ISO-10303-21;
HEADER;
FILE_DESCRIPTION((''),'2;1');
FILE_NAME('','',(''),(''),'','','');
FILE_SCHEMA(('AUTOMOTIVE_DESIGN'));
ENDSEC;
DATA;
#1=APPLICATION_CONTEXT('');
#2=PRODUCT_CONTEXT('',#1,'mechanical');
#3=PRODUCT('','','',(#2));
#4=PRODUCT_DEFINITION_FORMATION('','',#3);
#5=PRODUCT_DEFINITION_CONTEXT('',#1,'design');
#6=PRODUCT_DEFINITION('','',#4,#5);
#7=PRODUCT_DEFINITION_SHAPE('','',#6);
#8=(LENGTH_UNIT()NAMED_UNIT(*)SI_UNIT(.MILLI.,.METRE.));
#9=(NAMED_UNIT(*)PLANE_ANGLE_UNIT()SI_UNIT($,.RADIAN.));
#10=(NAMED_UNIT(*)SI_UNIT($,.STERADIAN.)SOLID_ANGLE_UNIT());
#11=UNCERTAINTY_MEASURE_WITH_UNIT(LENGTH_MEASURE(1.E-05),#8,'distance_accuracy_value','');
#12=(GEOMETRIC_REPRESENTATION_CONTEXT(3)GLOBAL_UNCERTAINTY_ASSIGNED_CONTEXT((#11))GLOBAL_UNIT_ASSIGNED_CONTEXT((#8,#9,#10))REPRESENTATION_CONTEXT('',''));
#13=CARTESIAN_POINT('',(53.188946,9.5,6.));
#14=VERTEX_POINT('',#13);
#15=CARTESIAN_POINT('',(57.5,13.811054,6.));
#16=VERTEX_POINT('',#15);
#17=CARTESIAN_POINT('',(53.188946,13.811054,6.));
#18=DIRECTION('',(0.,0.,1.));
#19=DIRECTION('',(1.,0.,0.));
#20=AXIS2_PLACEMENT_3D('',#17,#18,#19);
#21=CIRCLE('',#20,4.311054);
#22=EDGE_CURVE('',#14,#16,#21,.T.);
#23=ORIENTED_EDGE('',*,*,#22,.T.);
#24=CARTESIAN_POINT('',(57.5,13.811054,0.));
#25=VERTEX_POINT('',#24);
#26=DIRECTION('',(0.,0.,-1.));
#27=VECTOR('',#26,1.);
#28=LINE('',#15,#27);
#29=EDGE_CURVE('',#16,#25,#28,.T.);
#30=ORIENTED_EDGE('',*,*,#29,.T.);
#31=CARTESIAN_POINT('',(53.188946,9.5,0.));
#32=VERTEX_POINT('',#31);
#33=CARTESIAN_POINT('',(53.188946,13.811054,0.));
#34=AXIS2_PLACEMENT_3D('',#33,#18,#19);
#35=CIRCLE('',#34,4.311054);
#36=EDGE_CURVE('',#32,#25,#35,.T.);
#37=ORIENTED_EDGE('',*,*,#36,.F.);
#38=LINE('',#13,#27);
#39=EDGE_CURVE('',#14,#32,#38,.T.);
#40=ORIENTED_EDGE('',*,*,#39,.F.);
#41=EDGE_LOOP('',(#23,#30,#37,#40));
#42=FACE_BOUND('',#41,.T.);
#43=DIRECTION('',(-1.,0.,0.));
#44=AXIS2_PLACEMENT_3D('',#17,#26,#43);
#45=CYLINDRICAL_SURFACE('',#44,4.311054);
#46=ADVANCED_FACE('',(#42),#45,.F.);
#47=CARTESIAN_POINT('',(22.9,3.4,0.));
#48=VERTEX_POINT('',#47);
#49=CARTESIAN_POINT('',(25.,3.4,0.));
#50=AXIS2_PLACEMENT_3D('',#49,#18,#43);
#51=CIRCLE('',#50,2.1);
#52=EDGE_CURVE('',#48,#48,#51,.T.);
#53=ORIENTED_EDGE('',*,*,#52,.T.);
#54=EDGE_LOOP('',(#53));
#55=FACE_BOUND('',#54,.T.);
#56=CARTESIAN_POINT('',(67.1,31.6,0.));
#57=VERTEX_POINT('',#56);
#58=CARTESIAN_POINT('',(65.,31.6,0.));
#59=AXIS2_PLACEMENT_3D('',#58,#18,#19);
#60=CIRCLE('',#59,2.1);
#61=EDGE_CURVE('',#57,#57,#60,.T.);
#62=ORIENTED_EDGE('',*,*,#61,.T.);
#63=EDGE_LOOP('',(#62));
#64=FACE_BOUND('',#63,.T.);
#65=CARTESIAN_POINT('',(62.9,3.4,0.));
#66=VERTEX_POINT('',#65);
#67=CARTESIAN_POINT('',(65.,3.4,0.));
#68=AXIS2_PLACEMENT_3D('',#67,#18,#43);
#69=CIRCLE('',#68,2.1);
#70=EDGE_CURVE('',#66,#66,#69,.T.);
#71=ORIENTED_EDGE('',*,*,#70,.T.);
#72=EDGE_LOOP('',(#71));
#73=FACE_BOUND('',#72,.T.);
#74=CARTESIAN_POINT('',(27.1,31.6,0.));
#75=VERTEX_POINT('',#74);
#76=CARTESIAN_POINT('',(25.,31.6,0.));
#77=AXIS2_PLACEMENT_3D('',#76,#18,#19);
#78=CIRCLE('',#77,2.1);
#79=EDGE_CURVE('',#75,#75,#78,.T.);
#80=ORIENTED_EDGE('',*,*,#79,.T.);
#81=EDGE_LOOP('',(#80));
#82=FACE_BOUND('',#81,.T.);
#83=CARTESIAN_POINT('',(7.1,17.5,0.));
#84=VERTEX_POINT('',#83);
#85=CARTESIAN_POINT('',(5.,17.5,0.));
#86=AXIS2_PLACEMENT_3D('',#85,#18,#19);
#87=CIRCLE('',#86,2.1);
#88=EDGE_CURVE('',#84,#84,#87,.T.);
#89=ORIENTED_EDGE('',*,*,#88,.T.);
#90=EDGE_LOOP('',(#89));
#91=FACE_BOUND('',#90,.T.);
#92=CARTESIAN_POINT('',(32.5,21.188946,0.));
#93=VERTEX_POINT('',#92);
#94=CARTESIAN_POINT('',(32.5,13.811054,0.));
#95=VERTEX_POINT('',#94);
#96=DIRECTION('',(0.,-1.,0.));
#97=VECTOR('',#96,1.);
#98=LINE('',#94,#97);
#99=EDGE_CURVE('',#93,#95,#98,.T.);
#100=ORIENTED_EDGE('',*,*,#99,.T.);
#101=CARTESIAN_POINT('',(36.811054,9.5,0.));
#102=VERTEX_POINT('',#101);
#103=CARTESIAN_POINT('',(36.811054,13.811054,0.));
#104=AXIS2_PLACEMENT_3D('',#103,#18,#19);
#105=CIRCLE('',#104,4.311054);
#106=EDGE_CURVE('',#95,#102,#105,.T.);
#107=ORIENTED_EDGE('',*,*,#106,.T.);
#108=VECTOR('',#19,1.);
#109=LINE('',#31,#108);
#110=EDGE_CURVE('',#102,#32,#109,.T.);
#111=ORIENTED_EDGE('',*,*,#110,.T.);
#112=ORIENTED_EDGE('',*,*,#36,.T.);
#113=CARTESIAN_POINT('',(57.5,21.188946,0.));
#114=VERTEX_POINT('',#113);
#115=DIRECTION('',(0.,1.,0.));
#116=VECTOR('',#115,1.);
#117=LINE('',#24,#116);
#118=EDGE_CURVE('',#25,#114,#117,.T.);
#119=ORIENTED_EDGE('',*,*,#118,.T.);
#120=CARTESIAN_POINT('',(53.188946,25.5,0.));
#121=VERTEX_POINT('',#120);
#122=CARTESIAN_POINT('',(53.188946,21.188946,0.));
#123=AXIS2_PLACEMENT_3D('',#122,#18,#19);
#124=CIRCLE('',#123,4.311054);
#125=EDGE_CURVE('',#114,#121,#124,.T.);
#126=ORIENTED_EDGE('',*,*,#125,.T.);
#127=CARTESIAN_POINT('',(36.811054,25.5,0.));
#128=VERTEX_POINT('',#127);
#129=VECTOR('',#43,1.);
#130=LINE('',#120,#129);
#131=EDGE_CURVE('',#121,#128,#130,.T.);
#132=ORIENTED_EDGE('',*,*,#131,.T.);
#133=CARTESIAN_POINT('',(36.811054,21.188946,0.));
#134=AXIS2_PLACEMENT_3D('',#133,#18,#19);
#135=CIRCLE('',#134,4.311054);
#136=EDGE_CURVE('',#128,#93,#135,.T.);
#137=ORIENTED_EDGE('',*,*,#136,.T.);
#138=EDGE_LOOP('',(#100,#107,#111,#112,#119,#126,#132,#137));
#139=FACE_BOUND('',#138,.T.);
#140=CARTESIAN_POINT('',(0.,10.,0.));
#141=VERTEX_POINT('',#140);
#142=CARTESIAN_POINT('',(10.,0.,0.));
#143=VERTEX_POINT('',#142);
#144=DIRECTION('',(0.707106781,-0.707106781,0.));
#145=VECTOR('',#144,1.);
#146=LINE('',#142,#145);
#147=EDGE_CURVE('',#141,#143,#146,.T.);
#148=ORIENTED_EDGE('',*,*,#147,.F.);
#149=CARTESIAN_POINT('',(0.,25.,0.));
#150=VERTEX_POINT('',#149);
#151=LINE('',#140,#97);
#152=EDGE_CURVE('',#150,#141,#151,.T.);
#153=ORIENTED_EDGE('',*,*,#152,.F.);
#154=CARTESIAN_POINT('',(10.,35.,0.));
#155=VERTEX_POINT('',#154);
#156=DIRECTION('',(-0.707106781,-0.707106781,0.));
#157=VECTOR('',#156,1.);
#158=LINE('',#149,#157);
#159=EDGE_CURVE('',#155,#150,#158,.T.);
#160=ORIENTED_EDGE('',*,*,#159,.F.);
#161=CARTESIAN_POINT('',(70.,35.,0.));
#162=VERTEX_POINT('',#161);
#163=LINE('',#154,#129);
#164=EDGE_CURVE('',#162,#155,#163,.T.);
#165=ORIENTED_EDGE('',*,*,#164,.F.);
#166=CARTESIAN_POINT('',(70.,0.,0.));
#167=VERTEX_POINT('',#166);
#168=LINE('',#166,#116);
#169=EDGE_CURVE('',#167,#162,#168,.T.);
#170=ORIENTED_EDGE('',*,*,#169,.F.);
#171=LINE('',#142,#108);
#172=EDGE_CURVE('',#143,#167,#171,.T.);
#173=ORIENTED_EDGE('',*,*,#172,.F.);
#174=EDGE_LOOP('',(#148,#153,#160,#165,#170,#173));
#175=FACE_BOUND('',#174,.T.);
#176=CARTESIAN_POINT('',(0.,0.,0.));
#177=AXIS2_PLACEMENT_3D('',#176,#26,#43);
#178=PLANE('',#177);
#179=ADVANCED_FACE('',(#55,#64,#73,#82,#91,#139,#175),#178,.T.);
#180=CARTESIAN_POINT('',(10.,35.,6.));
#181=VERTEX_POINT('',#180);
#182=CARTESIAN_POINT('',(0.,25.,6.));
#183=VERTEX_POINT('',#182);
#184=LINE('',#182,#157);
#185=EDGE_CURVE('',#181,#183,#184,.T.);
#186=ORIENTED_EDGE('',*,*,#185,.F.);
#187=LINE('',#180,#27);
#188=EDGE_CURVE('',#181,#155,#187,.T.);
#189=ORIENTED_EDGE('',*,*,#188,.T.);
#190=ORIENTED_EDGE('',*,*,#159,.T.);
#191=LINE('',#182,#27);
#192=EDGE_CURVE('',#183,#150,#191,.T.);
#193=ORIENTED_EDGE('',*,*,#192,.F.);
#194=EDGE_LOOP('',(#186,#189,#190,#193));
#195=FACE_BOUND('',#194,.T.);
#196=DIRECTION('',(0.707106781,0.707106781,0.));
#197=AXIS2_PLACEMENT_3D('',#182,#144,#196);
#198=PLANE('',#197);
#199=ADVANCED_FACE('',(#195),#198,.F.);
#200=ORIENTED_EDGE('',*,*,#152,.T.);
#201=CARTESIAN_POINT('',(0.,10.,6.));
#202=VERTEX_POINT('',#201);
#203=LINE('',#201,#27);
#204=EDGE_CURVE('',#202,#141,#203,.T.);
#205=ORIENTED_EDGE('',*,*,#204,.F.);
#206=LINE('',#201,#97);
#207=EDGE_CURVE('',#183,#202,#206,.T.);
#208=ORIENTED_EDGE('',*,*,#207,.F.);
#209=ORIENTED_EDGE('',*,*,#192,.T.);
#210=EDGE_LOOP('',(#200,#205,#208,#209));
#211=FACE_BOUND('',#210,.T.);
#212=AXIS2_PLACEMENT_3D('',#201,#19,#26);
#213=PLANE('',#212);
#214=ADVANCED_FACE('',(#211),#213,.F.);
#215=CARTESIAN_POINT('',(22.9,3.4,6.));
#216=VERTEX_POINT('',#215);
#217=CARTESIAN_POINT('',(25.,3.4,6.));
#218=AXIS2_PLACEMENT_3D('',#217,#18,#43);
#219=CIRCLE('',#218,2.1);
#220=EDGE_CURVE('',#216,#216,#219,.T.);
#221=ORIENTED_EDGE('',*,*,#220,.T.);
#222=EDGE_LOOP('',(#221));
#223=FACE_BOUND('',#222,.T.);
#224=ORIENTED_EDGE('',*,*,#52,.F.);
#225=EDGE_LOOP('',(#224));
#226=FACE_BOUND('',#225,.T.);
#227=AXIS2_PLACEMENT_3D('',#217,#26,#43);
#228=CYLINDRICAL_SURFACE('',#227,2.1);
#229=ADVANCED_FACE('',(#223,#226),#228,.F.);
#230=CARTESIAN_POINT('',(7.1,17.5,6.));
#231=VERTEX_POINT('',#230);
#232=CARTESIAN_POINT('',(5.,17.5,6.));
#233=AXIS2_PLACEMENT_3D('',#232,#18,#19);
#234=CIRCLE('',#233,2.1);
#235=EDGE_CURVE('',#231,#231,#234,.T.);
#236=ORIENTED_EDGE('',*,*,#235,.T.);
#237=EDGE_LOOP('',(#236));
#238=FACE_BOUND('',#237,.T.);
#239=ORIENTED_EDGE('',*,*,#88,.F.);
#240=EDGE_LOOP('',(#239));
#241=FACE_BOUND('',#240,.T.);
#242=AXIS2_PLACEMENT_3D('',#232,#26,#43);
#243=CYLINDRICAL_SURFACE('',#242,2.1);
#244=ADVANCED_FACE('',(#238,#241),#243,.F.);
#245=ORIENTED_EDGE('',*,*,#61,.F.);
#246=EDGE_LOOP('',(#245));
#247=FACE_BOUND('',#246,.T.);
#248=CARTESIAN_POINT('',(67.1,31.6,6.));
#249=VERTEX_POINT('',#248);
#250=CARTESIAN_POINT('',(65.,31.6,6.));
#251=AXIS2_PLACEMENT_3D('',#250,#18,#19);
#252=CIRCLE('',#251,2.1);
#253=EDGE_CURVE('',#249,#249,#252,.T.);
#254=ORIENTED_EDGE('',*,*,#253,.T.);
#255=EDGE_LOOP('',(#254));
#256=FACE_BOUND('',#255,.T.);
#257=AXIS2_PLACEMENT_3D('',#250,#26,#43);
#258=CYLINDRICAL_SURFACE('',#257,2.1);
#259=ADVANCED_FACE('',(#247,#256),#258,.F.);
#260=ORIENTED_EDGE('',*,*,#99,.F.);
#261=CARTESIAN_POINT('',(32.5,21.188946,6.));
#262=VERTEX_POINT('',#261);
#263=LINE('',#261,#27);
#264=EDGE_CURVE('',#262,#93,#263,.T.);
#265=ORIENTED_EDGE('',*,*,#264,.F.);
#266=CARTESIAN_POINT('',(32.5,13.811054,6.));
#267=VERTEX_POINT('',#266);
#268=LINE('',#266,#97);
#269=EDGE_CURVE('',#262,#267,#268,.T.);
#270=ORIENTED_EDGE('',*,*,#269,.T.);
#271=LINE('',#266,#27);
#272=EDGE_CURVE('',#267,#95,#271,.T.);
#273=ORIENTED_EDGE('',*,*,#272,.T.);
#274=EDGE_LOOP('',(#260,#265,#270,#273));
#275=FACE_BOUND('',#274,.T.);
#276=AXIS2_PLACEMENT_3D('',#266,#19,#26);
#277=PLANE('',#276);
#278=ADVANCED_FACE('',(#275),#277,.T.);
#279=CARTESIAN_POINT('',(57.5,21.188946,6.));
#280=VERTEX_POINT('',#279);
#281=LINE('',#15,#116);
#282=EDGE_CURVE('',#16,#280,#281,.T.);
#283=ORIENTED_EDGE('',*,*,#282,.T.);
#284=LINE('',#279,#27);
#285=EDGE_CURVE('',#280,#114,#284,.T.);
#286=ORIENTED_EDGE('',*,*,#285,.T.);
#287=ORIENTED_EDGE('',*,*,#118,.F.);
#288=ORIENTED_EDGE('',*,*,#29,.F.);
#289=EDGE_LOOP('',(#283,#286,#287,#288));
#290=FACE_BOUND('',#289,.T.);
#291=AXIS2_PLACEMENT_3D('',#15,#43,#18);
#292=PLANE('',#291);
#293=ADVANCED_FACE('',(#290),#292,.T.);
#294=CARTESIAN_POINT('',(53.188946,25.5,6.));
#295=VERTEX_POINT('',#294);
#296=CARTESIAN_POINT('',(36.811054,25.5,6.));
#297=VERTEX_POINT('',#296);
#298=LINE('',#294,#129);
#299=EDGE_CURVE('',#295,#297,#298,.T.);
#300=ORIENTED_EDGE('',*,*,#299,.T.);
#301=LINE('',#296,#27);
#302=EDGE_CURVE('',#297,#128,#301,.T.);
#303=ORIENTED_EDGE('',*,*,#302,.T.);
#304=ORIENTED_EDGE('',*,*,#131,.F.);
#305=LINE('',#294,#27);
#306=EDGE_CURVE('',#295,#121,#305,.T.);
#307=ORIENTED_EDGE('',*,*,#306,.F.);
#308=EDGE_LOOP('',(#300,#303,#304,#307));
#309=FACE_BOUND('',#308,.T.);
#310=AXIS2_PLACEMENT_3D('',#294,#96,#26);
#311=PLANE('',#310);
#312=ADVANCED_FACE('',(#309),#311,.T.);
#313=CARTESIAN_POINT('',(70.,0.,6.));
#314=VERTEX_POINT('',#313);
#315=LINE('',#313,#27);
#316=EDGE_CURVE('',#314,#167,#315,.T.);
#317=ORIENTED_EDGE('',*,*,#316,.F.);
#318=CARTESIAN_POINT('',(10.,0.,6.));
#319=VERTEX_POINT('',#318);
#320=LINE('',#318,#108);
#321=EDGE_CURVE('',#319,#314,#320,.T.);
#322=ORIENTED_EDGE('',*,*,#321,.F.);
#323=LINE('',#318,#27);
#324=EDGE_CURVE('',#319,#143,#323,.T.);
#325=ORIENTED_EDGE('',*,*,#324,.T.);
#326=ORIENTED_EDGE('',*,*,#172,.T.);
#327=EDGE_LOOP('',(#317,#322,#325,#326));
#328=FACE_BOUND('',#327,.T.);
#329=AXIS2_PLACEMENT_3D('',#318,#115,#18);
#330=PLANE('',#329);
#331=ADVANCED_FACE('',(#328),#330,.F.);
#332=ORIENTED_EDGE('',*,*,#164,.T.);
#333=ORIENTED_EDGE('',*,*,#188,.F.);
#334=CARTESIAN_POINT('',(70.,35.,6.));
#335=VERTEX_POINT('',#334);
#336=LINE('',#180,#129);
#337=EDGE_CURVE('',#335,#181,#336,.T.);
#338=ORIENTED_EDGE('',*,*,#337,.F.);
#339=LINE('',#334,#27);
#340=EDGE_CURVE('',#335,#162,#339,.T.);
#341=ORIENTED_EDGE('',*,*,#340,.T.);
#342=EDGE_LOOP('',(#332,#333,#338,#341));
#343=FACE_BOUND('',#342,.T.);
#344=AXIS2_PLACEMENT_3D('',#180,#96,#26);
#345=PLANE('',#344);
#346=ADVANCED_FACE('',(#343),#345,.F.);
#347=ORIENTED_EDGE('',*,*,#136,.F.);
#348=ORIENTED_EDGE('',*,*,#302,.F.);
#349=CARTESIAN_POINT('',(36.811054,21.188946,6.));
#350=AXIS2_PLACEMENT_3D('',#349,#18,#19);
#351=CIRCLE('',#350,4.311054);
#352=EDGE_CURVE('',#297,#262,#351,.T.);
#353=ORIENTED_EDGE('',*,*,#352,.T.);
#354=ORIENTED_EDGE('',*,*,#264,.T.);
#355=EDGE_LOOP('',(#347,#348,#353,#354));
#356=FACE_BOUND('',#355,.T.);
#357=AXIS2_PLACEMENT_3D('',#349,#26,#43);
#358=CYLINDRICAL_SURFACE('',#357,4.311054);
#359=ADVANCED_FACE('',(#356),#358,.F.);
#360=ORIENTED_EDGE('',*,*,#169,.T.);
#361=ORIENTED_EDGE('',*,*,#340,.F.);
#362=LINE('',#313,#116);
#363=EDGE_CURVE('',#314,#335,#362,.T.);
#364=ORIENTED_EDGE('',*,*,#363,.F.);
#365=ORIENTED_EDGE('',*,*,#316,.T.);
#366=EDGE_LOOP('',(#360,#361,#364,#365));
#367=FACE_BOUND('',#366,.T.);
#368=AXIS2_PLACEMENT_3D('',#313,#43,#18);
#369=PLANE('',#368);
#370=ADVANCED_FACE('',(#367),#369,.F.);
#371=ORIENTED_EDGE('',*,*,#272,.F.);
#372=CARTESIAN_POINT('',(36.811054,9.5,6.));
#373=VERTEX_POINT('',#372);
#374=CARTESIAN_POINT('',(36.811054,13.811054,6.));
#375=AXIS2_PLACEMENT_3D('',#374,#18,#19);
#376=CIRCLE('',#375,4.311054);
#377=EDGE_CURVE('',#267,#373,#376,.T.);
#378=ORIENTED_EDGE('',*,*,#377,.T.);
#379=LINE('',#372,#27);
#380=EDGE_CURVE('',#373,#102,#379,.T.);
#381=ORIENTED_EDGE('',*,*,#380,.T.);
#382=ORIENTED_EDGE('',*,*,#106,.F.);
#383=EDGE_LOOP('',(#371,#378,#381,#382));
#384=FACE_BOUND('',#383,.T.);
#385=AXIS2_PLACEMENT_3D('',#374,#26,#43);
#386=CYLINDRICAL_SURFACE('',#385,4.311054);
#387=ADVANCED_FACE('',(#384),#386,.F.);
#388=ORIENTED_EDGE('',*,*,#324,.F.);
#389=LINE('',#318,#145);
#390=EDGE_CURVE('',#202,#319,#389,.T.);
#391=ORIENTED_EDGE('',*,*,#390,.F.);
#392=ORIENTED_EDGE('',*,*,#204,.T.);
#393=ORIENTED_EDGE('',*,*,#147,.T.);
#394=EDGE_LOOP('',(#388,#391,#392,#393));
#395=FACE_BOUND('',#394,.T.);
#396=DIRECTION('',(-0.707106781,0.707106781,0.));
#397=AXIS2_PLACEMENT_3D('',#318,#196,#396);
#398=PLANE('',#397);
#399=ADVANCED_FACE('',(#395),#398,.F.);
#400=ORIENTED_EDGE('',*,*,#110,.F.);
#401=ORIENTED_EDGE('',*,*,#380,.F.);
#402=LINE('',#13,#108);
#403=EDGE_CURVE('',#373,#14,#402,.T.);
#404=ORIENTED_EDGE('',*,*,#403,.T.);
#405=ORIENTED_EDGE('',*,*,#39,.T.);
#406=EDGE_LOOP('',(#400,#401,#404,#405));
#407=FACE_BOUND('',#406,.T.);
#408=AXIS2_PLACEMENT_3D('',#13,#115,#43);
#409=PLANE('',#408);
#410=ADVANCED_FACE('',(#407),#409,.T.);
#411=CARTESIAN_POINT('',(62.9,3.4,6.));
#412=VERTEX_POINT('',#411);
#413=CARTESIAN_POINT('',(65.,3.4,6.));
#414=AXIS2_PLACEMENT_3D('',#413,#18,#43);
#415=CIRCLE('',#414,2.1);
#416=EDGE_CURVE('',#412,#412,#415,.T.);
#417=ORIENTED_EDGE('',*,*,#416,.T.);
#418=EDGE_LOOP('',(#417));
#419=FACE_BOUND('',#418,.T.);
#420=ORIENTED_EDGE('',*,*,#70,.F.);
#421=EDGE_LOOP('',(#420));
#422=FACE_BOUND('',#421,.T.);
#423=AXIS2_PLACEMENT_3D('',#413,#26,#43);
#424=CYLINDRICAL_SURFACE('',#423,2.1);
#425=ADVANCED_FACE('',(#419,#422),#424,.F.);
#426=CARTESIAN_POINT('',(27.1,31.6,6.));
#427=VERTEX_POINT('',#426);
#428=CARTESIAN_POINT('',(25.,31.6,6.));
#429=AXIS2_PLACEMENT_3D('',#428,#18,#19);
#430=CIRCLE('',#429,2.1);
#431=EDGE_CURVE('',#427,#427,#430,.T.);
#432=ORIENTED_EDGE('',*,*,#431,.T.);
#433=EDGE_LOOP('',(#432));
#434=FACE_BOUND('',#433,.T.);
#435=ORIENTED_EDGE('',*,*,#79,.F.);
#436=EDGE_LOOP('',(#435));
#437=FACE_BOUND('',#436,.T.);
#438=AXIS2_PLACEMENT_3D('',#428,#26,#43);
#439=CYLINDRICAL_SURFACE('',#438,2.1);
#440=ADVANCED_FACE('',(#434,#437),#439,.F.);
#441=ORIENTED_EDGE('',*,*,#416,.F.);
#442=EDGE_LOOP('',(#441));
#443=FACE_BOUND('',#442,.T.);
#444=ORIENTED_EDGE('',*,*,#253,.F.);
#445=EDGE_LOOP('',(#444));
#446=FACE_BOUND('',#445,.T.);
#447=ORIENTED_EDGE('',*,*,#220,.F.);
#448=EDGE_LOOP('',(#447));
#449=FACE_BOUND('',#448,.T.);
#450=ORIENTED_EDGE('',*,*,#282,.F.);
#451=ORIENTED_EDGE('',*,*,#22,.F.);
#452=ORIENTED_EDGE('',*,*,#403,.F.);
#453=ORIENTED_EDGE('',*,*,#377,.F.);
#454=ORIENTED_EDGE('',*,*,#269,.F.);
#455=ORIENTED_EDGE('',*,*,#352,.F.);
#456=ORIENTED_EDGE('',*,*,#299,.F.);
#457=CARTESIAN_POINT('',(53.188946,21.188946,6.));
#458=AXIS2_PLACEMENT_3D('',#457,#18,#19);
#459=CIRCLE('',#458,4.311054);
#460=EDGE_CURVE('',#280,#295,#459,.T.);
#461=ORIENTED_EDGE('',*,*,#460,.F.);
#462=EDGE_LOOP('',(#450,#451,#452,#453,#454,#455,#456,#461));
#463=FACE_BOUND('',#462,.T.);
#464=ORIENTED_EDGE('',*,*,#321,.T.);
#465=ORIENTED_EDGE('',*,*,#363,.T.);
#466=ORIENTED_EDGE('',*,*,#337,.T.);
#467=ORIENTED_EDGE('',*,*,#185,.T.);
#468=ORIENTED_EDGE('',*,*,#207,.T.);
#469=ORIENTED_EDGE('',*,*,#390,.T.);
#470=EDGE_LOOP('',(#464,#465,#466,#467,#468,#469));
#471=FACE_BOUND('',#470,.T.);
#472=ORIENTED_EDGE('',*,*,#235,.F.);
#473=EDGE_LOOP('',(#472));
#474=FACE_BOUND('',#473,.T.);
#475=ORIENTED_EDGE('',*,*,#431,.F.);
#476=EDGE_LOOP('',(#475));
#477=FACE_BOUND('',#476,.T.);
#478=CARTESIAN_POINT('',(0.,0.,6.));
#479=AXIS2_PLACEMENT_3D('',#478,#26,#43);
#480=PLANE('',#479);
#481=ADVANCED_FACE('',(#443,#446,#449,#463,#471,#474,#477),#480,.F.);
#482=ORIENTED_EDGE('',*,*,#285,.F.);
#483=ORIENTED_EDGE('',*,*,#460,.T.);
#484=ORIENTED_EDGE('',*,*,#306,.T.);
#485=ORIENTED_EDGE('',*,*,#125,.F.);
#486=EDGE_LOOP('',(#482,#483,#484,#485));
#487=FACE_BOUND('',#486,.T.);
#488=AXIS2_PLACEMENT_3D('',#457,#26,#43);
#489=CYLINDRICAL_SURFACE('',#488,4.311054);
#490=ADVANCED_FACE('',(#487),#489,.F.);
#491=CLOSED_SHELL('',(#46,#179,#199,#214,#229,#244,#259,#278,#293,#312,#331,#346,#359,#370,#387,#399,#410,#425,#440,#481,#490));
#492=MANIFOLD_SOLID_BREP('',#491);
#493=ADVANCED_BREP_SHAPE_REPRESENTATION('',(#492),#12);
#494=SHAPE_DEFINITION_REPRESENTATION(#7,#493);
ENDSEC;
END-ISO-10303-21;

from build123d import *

# Parameters (mm, degrees)
SZKIC1_R                    = 2.1
DODANIE_WYCI_GNI_CIE1_DEPTH = 6


with BuildPart() as part:
    # Szkic1 → Dodanie-wyciągnięcie1 (new body)
    with BuildSketch(Plane.XY):
        Polygon((10, 0), (70, 0), (70, 35), (10, 35), (0, 25), (0, 10), align=None)
        with Locations((65, 31.6)):
            Circle(SZKIC1_R, mode=Mode.SUBTRACT)
        with Locations((25, 31.6)):
            Circle(SZKIC1_R, mode=Mode.SUBTRACT)
        with Locations(Location((65, 3.4, 0), (0, 0, 180))):
            Circle(SZKIC1_R, mode=Mode.SUBTRACT)
        with Locations(Location((25, 3.4, 0), (0, 0, 180))):
            Circle(SZKIC1_R, mode=Mode.SUBTRACT)
        with Locations((5, 17.5)):
            Circle(SZKIC1_R, mode=Mode.SUBTRACT)
        with BuildLine():
            Line((53.188946254, 9.5), (36.811053746, 9.5))
            ThreePointArc((36.811053746, 9.5), (33.762678408, 10.762678408), (32.5, 13.811053746))
            Line((32.5, 13.811053746), (32.5, 21.188946254))
            ThreePointArc((32.5, 21.188946254), (33.762678408, 24.237321592), (36.811053746, 25.5))
            Line((36.811053746, 25.5), (53.188946254, 25.5))
            ThreePointArc((53.188946254, 25.5), (56.237321592, 24.237321592), (57.5, 21.188946254))
            Line((57.5, 21.188946254), (57.5, 13.811053746))
            ThreePointArc((57.5, 13.811053746), (56.237321592, 10.762678408), (53.188946254, 9.5))
        make_face(mode=Mode.SUBTRACT)
    extrude(amount=DODANIE_WYCI_GNI_CIE1_DEPTH)


solid = part.part
